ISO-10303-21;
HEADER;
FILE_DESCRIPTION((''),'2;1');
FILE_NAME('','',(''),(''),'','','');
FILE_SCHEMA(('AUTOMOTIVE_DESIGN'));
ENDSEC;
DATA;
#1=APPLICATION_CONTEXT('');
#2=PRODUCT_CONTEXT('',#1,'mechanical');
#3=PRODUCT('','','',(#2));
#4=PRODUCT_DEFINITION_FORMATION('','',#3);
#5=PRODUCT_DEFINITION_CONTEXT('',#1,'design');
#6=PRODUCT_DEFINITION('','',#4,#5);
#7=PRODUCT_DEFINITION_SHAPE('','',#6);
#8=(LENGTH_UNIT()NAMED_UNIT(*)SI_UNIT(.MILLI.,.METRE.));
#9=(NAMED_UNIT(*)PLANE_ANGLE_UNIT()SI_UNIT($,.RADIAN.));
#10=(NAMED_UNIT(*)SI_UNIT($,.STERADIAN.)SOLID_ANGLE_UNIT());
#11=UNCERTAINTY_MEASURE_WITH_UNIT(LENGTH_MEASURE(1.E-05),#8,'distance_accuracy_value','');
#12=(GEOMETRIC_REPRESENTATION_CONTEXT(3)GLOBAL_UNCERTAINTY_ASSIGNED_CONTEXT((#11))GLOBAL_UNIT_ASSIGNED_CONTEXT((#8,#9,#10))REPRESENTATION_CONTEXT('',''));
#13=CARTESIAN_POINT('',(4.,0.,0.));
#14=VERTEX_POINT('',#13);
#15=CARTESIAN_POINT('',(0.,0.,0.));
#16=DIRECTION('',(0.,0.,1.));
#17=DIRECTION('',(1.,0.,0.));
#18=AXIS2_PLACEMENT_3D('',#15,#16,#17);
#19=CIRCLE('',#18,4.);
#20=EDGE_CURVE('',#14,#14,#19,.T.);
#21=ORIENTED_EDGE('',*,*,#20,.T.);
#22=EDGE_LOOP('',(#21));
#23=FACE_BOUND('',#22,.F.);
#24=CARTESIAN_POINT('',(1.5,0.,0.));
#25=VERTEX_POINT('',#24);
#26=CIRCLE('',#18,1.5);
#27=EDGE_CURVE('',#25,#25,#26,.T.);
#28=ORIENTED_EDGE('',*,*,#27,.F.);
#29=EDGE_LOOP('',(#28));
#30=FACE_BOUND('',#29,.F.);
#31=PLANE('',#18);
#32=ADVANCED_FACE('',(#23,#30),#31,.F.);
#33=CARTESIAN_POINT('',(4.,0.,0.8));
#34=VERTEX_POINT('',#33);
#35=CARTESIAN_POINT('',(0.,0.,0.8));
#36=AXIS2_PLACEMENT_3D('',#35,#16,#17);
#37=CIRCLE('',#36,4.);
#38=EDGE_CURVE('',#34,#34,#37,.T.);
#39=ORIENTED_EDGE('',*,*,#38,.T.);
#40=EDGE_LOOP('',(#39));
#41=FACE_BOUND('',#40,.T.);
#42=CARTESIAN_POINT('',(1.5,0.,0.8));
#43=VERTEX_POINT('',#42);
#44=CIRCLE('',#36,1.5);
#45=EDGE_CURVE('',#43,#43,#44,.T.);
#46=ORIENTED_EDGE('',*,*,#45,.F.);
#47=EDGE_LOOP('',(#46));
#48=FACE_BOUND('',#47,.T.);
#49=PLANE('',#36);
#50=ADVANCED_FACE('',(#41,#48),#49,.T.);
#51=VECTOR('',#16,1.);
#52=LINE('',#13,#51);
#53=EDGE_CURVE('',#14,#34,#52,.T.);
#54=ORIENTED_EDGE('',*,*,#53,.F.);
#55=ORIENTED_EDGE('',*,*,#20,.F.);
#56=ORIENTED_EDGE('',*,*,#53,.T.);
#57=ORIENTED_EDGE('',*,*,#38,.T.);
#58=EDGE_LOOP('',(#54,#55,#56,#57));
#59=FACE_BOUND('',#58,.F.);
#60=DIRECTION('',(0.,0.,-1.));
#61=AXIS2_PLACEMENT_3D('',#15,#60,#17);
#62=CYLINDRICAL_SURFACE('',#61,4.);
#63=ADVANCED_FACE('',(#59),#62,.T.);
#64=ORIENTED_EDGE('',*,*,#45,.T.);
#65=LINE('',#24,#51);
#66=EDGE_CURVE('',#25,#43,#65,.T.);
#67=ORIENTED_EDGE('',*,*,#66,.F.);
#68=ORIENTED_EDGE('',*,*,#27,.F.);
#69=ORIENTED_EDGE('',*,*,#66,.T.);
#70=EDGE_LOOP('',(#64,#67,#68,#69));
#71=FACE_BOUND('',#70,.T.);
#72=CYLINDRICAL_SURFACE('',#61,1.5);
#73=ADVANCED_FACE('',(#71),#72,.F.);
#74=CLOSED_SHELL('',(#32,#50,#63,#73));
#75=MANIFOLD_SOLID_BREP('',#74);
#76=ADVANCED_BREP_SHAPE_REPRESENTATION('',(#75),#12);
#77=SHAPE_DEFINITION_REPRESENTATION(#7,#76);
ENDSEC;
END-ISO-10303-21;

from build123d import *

# Parameters (mm, degrees)
SKETCH_2_R      = 4
SKETCH_2_R_2    = 1.5
EXTRUDE_1_DEPTH = 0.8


with BuildPart() as part:
    # 草图2 → 凸台-拉伸1 (new body)
    with BuildSketch(Plane.XY):
        Circle(SKETCH_2_R)
        Circle(SKETCH_2_R_2, mode=Mode.SUBTRACT)
    extrude(amount=EXTRUDE_1_DEPTH)


solid = part.part
